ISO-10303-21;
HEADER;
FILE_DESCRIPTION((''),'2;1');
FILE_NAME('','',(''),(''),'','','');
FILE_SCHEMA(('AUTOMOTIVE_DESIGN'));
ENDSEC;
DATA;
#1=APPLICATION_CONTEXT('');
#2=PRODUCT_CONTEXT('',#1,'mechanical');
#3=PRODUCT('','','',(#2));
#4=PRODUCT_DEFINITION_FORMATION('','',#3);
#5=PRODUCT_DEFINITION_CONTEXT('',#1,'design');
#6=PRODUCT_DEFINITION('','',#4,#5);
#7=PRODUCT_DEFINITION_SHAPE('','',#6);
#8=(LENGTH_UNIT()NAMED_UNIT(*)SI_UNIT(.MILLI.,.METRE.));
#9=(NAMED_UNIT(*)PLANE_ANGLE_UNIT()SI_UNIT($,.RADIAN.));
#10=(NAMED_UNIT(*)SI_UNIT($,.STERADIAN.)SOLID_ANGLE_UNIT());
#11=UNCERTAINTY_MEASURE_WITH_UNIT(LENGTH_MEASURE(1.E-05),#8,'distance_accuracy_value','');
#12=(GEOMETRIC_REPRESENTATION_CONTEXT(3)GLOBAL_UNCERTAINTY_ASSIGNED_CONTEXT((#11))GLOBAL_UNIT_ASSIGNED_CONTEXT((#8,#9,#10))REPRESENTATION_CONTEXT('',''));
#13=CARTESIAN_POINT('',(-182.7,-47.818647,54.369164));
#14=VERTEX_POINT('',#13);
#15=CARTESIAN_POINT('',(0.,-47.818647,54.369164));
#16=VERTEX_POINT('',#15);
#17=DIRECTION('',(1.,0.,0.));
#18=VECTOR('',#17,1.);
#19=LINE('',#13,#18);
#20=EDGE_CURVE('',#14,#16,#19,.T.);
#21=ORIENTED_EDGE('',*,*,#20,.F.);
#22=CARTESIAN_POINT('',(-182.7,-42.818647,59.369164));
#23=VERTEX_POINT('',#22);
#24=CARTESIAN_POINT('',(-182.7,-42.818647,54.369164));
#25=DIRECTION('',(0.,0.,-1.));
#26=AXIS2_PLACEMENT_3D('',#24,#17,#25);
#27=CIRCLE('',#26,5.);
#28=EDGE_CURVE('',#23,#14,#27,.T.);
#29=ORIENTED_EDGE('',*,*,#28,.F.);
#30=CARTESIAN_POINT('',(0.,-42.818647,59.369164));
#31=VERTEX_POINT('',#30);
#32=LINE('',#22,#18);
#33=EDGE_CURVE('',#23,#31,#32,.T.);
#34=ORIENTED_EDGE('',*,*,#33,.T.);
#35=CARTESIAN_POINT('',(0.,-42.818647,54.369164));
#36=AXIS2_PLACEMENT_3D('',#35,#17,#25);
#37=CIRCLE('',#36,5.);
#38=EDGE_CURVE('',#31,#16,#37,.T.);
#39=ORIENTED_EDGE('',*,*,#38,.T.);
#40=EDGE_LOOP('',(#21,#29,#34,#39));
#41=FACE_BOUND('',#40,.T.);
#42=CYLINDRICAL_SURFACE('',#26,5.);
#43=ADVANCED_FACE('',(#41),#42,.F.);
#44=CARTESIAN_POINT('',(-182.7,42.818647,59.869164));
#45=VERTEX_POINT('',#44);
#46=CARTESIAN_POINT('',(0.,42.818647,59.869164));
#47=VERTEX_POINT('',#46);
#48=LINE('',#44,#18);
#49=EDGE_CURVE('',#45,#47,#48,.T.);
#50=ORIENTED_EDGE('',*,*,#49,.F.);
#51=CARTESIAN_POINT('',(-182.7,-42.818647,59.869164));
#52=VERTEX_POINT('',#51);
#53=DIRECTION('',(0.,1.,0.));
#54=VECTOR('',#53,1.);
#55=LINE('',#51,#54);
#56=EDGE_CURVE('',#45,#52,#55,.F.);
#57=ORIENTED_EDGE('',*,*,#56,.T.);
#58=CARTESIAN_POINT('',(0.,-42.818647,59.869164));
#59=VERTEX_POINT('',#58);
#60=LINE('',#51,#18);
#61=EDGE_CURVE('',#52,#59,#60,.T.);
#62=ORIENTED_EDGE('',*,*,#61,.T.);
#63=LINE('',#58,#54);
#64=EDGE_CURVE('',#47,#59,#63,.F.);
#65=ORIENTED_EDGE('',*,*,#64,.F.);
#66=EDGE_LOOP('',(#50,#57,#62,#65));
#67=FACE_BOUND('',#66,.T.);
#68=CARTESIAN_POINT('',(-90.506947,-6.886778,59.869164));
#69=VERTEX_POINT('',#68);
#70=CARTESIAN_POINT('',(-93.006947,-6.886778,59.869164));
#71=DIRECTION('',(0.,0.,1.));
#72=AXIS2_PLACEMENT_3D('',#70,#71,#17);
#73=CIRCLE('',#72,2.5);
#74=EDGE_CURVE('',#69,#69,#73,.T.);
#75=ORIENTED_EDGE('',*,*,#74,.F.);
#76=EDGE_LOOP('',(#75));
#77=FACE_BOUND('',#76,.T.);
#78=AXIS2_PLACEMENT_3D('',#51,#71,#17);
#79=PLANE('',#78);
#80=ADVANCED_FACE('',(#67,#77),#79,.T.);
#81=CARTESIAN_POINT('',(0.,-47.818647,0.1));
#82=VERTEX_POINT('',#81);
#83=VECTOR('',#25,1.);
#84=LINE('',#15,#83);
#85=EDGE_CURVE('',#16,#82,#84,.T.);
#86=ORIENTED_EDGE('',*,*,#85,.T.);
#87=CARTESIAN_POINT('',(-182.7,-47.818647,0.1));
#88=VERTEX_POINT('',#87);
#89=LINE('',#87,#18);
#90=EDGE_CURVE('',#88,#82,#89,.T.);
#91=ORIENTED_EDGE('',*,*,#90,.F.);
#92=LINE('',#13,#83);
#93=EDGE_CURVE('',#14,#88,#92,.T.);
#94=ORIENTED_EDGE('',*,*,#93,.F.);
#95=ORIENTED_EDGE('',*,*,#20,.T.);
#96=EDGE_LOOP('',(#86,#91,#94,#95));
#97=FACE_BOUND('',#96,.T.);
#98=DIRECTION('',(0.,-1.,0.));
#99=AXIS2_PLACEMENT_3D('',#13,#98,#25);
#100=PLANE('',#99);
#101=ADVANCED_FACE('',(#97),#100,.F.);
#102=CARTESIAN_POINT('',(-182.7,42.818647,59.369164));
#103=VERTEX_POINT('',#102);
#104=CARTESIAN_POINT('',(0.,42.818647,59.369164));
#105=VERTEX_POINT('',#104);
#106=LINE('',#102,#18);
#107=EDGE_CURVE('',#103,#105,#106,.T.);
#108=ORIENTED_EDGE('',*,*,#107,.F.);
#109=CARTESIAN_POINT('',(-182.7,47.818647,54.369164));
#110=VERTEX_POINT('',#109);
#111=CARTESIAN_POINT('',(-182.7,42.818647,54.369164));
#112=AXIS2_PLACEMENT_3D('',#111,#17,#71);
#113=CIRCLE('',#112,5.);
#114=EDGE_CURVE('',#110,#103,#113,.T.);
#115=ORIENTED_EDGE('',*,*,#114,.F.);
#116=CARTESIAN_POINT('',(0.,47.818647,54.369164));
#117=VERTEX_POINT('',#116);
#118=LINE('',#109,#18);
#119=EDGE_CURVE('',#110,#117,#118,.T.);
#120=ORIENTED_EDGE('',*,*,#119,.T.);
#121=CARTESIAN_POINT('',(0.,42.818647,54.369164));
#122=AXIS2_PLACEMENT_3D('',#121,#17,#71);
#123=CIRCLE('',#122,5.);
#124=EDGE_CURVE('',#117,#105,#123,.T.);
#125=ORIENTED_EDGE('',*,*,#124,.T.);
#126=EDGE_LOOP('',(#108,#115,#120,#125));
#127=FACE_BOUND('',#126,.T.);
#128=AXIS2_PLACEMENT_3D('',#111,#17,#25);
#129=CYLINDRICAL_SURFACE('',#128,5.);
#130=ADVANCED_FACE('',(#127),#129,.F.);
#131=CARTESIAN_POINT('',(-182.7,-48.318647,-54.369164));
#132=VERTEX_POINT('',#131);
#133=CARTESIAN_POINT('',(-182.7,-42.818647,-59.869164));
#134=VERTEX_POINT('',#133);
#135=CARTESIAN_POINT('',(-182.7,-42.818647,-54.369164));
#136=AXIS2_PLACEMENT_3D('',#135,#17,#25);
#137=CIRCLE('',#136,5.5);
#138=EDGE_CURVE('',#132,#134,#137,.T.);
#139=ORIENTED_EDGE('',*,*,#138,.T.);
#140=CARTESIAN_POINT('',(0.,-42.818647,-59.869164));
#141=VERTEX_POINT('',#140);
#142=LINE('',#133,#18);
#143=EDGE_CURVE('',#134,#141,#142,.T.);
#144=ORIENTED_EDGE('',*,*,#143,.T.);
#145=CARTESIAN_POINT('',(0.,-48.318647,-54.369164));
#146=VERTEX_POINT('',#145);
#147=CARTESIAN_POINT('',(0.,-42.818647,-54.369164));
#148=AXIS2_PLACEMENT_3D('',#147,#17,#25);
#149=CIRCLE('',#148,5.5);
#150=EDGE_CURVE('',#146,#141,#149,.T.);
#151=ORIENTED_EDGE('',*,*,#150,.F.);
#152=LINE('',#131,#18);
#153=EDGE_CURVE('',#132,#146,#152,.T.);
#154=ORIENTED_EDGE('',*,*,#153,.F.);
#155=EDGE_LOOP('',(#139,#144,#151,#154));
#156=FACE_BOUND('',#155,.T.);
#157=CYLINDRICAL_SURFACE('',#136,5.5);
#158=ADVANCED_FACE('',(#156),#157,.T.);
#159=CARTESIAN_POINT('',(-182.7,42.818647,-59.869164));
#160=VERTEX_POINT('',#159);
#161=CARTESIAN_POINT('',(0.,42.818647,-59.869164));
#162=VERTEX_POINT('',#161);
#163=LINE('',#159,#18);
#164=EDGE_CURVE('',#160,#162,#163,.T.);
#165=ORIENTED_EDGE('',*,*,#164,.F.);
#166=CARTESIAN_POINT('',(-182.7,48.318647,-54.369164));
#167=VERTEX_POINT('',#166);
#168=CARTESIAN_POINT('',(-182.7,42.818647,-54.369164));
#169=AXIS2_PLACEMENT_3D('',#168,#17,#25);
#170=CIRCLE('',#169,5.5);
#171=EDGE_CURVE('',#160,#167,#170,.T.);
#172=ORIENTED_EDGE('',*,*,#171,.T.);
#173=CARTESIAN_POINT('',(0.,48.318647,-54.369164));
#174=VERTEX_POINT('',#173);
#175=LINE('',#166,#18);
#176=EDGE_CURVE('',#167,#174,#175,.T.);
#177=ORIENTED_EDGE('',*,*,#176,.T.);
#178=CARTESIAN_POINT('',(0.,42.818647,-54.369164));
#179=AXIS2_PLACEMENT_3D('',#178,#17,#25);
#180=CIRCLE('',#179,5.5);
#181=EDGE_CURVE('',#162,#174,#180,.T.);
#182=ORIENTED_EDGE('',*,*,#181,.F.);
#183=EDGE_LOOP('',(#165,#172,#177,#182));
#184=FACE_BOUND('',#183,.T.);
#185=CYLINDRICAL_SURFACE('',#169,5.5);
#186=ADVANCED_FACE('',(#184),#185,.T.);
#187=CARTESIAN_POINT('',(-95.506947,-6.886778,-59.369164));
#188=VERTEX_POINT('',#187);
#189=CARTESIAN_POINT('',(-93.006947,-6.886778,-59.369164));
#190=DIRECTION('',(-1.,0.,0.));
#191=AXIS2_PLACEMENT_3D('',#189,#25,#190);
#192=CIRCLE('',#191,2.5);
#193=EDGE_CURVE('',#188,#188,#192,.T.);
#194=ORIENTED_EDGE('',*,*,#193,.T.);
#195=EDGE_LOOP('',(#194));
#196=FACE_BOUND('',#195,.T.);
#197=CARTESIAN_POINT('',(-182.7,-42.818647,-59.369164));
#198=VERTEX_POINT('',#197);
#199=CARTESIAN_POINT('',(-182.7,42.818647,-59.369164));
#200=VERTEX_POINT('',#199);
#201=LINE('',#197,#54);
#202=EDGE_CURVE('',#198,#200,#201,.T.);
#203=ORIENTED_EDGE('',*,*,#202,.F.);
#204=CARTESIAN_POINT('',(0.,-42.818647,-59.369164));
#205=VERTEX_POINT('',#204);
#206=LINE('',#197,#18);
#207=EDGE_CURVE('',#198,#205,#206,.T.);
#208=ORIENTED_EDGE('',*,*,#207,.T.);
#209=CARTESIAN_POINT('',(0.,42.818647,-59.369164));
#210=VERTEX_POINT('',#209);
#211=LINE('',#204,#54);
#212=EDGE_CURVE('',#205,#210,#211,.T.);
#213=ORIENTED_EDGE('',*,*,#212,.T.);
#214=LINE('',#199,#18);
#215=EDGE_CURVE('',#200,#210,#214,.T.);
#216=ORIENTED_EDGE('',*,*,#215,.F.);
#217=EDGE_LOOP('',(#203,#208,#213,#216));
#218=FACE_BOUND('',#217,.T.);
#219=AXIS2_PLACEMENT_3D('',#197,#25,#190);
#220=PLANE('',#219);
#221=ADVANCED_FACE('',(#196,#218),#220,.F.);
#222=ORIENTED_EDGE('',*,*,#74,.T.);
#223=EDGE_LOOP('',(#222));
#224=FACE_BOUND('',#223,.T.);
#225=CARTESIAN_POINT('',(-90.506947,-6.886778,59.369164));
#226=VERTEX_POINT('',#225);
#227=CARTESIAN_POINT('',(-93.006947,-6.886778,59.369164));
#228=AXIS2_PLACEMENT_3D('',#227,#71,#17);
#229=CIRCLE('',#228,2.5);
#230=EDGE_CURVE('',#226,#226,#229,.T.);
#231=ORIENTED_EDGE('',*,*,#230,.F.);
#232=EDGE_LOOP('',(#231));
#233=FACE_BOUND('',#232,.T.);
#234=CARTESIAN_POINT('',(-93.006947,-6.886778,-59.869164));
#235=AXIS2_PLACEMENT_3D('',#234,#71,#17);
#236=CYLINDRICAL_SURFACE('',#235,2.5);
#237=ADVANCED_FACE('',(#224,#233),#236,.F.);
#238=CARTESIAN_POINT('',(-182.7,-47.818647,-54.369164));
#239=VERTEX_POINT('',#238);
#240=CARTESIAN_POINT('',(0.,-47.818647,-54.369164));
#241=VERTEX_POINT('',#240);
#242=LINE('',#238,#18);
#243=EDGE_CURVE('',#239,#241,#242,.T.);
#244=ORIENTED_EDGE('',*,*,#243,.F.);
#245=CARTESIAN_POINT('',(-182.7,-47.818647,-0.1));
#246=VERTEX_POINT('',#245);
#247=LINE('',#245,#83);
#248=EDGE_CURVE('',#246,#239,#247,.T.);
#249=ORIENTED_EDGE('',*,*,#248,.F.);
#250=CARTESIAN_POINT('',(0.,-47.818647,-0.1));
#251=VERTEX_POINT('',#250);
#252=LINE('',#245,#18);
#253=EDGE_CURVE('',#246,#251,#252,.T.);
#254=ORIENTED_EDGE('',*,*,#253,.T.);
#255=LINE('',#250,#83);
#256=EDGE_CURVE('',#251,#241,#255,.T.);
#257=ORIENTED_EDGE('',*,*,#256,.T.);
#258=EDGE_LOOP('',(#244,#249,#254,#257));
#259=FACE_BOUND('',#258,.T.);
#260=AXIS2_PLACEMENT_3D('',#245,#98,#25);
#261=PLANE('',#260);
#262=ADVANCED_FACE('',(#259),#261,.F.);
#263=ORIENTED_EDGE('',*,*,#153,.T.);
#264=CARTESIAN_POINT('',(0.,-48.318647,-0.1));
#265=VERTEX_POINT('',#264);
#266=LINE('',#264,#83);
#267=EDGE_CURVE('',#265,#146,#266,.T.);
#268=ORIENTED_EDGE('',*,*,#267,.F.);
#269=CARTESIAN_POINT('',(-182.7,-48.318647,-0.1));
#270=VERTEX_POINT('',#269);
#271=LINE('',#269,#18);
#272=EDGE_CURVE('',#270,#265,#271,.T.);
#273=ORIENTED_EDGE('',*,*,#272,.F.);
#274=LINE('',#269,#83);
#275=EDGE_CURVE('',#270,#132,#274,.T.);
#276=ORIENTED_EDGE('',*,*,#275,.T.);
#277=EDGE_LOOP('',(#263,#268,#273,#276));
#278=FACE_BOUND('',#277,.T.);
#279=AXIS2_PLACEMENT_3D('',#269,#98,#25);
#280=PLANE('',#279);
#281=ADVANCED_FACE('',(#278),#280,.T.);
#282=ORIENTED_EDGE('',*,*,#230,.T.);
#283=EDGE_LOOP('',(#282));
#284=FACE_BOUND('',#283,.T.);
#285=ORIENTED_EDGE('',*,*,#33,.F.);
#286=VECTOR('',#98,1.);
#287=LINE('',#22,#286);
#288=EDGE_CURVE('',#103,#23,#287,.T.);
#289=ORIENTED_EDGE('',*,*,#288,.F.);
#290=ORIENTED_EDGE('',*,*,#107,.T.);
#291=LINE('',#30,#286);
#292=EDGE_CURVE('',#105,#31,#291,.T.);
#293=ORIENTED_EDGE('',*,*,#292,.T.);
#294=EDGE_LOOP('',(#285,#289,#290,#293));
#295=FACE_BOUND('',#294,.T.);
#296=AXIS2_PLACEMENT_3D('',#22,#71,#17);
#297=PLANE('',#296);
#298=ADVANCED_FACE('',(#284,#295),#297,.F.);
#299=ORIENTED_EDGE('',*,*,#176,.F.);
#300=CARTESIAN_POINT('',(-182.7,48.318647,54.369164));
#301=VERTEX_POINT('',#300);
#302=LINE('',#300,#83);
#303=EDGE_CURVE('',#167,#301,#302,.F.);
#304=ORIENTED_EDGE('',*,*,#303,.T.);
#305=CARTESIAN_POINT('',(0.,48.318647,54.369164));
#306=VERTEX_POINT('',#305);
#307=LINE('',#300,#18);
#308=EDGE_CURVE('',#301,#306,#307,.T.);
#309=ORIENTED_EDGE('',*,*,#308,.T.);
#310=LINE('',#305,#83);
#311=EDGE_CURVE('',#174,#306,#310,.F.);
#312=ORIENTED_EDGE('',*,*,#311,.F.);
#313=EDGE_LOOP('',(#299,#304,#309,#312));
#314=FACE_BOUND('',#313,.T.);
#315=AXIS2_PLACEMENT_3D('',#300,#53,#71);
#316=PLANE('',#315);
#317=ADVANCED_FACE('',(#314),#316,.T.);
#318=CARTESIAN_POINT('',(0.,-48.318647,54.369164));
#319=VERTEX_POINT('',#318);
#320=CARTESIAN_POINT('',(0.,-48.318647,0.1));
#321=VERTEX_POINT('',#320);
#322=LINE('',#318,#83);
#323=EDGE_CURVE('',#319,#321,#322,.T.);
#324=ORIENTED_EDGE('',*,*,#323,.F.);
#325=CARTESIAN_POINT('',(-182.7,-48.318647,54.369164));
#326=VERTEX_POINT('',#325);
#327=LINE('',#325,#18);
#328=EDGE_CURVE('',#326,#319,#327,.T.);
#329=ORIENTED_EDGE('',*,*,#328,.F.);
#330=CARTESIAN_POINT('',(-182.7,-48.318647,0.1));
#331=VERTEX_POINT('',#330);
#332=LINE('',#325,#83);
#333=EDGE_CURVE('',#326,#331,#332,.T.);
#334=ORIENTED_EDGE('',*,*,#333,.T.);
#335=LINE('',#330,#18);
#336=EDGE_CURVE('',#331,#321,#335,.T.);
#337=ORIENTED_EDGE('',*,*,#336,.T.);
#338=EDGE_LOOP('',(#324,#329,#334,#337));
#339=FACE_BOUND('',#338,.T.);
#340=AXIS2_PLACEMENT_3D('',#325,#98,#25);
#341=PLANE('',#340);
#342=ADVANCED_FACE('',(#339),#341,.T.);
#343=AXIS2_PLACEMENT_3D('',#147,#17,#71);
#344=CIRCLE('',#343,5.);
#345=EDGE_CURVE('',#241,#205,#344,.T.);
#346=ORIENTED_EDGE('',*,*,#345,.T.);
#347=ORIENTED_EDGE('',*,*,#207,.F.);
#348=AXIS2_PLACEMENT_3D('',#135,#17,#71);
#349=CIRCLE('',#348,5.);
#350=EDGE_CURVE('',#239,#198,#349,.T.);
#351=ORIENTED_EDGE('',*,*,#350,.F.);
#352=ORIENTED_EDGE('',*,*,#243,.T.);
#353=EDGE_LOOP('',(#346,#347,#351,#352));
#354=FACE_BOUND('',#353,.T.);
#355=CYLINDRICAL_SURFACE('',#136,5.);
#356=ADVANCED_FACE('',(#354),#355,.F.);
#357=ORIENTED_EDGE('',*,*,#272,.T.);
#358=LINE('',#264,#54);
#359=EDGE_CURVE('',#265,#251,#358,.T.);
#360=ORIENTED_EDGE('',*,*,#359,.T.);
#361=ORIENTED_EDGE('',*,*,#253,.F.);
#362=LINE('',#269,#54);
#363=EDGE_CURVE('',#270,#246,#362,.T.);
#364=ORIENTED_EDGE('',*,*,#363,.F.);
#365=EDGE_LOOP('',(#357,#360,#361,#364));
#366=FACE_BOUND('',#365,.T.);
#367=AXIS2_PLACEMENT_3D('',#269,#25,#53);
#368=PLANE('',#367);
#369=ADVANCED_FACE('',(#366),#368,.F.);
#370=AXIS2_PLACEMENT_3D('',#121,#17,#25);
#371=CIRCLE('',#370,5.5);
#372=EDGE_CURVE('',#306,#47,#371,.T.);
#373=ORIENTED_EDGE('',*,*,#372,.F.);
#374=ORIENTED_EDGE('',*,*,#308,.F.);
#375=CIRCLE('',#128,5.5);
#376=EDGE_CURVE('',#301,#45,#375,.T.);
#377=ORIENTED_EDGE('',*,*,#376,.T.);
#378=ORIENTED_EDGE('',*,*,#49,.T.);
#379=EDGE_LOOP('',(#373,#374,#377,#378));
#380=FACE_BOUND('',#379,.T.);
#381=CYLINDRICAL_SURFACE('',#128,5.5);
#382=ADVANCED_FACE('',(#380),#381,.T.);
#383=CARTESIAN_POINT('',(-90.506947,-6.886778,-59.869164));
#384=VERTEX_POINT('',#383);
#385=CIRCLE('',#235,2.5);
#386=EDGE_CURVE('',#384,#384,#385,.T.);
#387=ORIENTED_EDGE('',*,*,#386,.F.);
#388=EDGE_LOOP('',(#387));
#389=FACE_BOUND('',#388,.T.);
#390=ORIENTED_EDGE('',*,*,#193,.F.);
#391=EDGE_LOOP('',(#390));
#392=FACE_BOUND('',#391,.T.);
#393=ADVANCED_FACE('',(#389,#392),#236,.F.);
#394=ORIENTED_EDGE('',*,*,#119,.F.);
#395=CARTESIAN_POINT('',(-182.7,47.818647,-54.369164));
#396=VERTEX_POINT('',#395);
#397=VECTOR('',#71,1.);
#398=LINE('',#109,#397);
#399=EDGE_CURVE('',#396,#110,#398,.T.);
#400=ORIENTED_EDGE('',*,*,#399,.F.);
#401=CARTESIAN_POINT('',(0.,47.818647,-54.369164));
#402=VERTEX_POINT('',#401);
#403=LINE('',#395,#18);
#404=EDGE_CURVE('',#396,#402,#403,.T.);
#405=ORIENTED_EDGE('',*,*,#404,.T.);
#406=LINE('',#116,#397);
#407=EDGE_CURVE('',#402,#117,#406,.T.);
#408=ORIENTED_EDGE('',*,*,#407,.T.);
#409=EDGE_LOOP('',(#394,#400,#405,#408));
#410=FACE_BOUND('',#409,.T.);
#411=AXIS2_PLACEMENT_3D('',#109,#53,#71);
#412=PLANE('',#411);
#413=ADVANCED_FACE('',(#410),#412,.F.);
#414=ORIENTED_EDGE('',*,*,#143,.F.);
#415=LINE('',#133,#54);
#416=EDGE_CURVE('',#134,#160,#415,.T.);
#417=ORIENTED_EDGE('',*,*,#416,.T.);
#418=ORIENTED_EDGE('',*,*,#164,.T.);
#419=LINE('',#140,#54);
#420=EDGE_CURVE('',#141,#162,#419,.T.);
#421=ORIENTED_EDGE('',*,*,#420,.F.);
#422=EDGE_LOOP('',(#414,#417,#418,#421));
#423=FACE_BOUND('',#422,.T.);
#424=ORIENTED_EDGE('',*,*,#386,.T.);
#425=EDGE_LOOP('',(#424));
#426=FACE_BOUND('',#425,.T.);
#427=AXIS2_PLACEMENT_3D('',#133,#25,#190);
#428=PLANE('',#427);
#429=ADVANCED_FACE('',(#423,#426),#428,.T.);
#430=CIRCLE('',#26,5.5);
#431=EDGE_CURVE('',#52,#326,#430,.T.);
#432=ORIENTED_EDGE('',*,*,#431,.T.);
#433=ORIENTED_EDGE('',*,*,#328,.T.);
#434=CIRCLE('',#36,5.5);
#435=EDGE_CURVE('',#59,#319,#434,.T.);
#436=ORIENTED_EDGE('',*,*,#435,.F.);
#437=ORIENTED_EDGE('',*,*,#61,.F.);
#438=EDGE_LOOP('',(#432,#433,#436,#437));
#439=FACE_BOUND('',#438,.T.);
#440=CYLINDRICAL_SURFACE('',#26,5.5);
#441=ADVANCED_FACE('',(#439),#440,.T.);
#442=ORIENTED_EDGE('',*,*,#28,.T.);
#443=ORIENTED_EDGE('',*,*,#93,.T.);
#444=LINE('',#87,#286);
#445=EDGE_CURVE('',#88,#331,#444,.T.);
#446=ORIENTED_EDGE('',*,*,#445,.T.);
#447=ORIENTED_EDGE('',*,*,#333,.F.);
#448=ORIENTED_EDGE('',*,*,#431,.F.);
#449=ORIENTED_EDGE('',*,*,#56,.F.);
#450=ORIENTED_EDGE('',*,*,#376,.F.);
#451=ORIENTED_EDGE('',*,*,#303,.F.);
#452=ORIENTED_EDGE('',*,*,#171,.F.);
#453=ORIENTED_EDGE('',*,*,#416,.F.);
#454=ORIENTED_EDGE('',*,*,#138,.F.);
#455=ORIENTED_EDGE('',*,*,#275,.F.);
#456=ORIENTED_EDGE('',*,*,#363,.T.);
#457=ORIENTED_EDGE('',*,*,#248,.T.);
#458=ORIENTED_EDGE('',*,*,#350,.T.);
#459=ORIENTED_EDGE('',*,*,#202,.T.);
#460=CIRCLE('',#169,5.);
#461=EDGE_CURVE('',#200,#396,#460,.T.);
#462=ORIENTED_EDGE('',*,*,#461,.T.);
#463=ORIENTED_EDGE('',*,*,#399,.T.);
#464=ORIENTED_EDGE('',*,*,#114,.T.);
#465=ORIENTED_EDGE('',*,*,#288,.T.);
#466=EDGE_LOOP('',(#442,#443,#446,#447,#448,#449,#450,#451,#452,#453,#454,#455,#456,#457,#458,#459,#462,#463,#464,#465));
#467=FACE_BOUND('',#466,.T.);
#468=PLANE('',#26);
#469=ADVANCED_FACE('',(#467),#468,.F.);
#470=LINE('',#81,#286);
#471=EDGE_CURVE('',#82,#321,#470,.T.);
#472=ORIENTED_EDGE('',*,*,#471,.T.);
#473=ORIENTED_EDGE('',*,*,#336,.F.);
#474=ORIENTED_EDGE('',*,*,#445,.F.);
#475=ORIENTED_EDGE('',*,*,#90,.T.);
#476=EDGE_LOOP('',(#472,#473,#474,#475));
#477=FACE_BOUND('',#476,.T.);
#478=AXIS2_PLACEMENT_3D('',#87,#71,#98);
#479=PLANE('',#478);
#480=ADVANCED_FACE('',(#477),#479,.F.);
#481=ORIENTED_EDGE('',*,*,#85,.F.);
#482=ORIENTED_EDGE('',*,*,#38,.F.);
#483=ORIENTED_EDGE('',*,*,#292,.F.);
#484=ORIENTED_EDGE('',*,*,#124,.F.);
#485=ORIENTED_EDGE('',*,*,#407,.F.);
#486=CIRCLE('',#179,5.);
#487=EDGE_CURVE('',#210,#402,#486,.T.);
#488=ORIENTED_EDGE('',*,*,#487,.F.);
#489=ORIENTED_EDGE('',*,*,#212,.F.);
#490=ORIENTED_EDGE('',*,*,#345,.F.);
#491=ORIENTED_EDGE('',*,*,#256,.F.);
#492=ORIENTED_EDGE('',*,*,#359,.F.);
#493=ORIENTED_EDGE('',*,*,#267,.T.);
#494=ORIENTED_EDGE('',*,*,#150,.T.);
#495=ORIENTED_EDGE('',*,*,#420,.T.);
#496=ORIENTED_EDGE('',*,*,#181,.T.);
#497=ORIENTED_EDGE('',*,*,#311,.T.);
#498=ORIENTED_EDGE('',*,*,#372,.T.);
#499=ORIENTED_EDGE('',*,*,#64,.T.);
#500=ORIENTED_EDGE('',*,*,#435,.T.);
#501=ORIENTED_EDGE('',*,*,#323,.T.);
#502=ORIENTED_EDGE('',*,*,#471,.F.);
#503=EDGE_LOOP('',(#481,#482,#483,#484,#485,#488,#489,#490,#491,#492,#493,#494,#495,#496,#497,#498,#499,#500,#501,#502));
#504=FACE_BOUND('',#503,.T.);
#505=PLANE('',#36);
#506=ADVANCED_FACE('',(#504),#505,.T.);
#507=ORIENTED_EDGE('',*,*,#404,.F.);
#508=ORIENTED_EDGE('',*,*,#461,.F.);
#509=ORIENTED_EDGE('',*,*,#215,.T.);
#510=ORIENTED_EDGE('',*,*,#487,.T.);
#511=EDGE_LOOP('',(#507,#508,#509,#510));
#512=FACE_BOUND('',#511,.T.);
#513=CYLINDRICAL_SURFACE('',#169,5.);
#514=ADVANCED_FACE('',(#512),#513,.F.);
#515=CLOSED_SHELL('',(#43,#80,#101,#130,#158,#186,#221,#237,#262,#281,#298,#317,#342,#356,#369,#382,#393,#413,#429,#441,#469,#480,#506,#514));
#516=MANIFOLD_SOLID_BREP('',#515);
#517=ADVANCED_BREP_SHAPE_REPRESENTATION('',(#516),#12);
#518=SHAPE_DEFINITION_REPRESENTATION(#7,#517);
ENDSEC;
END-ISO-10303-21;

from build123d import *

# Parameters (mm, degrees)
EXTRUDE_THIN1_DEPTH = 182.7
SKETCH2_R           = 2.5
CUT_EXTRUDE1_DEPTH  = 120.738328299


with BuildPart() as part:
    # Sketch1 → Extrude-Thin1 (new body)
    with BuildSketch(Plane(origin=(0, 0, 0), x_dir=(0, 0, -1), z_dir=(1, 0, 0))):
        with BuildLine():
            Line((0.1, -47.818646587), (54.36916415, -47.818646587))
            ThreePointArc((54.36916415, -47.818646587), (57.904698056, -46.354180493), (59.36916415, -42.818646587))
            Line((59.36916415, -42.818646587), (59.36916415, 42.818646587))
            ThreePointArc((59.36916415, 42.818646587), (57.904698056, 46.354180493), (54.36916415, 47.818646587))
            Line((54.36916415, 47.818646587), (-54.36916415, 47.818646587))
            ThreePointArc((-54.36916415, 47.818646587), (-57.904698056, 46.354180493), (-59.36916415, 42.818646587))
            Line((-59.36916415, 42.818646587), (-59.36916415, -42.818646587))
            ThreePointArc((-59.36916415, -42.818646587), (-57.904698056, -46.354180493), (-54.36916415, -47.818646587))
            Line((-54.36916415, -47.818646587), (-0.1, -47.818646587))
            Line((-0.1, -47.818646587), (-0.1, -48.318646587))
            Line((-0.1, -48.318646587), (-54.36916415, -48.318646587))
            ThreePointArc((-54.36916415, -48.318646587), (-58.258251446, -46.707733884), (-59.86916415, -42.818646587))
            Line((-59.86916415, -42.818646587), (-59.86916415, 42.818646587))
            ThreePointArc((-59.86916415, 42.818646587), (-58.258251446, 46.707733884), (-54.36916415, 48.318646587))
            Line((-54.36916415, 48.318646587), (54.36916415, 48.318646587))
            ThreePointArc((54.36916415, 48.318646587), (58.258251446, 46.707733884), (59.86916415, 42.818646587))
            Line((59.86916415, 42.818646587), (59.86916415, -42.818646587))
            ThreePointArc((59.86916415, -42.818646587), (58.258251446, -46.707733884), (54.36916415, -48.318646587))
            Line((54.36916415, -48.318646587), (0.1, -48.318646587))
            Line((0.1, -48.318646587), (0.1, -47.818646587))
        make_face()
    extrude(amount=-EXTRUDE_THIN1_DEPTH)

    # Sketch2 → Cut-Extrude1 (cut, through all)
    with BuildSketch(Plane.XY.offset(59.86916415)):
        with Locations((-93.006946801, -6.886778216)):
            Circle(SKETCH2_R)
    extrude(amount=-CUT_EXTRUDE1_DEPTH, mode=Mode.SUBTRACT)


solid = part.part
